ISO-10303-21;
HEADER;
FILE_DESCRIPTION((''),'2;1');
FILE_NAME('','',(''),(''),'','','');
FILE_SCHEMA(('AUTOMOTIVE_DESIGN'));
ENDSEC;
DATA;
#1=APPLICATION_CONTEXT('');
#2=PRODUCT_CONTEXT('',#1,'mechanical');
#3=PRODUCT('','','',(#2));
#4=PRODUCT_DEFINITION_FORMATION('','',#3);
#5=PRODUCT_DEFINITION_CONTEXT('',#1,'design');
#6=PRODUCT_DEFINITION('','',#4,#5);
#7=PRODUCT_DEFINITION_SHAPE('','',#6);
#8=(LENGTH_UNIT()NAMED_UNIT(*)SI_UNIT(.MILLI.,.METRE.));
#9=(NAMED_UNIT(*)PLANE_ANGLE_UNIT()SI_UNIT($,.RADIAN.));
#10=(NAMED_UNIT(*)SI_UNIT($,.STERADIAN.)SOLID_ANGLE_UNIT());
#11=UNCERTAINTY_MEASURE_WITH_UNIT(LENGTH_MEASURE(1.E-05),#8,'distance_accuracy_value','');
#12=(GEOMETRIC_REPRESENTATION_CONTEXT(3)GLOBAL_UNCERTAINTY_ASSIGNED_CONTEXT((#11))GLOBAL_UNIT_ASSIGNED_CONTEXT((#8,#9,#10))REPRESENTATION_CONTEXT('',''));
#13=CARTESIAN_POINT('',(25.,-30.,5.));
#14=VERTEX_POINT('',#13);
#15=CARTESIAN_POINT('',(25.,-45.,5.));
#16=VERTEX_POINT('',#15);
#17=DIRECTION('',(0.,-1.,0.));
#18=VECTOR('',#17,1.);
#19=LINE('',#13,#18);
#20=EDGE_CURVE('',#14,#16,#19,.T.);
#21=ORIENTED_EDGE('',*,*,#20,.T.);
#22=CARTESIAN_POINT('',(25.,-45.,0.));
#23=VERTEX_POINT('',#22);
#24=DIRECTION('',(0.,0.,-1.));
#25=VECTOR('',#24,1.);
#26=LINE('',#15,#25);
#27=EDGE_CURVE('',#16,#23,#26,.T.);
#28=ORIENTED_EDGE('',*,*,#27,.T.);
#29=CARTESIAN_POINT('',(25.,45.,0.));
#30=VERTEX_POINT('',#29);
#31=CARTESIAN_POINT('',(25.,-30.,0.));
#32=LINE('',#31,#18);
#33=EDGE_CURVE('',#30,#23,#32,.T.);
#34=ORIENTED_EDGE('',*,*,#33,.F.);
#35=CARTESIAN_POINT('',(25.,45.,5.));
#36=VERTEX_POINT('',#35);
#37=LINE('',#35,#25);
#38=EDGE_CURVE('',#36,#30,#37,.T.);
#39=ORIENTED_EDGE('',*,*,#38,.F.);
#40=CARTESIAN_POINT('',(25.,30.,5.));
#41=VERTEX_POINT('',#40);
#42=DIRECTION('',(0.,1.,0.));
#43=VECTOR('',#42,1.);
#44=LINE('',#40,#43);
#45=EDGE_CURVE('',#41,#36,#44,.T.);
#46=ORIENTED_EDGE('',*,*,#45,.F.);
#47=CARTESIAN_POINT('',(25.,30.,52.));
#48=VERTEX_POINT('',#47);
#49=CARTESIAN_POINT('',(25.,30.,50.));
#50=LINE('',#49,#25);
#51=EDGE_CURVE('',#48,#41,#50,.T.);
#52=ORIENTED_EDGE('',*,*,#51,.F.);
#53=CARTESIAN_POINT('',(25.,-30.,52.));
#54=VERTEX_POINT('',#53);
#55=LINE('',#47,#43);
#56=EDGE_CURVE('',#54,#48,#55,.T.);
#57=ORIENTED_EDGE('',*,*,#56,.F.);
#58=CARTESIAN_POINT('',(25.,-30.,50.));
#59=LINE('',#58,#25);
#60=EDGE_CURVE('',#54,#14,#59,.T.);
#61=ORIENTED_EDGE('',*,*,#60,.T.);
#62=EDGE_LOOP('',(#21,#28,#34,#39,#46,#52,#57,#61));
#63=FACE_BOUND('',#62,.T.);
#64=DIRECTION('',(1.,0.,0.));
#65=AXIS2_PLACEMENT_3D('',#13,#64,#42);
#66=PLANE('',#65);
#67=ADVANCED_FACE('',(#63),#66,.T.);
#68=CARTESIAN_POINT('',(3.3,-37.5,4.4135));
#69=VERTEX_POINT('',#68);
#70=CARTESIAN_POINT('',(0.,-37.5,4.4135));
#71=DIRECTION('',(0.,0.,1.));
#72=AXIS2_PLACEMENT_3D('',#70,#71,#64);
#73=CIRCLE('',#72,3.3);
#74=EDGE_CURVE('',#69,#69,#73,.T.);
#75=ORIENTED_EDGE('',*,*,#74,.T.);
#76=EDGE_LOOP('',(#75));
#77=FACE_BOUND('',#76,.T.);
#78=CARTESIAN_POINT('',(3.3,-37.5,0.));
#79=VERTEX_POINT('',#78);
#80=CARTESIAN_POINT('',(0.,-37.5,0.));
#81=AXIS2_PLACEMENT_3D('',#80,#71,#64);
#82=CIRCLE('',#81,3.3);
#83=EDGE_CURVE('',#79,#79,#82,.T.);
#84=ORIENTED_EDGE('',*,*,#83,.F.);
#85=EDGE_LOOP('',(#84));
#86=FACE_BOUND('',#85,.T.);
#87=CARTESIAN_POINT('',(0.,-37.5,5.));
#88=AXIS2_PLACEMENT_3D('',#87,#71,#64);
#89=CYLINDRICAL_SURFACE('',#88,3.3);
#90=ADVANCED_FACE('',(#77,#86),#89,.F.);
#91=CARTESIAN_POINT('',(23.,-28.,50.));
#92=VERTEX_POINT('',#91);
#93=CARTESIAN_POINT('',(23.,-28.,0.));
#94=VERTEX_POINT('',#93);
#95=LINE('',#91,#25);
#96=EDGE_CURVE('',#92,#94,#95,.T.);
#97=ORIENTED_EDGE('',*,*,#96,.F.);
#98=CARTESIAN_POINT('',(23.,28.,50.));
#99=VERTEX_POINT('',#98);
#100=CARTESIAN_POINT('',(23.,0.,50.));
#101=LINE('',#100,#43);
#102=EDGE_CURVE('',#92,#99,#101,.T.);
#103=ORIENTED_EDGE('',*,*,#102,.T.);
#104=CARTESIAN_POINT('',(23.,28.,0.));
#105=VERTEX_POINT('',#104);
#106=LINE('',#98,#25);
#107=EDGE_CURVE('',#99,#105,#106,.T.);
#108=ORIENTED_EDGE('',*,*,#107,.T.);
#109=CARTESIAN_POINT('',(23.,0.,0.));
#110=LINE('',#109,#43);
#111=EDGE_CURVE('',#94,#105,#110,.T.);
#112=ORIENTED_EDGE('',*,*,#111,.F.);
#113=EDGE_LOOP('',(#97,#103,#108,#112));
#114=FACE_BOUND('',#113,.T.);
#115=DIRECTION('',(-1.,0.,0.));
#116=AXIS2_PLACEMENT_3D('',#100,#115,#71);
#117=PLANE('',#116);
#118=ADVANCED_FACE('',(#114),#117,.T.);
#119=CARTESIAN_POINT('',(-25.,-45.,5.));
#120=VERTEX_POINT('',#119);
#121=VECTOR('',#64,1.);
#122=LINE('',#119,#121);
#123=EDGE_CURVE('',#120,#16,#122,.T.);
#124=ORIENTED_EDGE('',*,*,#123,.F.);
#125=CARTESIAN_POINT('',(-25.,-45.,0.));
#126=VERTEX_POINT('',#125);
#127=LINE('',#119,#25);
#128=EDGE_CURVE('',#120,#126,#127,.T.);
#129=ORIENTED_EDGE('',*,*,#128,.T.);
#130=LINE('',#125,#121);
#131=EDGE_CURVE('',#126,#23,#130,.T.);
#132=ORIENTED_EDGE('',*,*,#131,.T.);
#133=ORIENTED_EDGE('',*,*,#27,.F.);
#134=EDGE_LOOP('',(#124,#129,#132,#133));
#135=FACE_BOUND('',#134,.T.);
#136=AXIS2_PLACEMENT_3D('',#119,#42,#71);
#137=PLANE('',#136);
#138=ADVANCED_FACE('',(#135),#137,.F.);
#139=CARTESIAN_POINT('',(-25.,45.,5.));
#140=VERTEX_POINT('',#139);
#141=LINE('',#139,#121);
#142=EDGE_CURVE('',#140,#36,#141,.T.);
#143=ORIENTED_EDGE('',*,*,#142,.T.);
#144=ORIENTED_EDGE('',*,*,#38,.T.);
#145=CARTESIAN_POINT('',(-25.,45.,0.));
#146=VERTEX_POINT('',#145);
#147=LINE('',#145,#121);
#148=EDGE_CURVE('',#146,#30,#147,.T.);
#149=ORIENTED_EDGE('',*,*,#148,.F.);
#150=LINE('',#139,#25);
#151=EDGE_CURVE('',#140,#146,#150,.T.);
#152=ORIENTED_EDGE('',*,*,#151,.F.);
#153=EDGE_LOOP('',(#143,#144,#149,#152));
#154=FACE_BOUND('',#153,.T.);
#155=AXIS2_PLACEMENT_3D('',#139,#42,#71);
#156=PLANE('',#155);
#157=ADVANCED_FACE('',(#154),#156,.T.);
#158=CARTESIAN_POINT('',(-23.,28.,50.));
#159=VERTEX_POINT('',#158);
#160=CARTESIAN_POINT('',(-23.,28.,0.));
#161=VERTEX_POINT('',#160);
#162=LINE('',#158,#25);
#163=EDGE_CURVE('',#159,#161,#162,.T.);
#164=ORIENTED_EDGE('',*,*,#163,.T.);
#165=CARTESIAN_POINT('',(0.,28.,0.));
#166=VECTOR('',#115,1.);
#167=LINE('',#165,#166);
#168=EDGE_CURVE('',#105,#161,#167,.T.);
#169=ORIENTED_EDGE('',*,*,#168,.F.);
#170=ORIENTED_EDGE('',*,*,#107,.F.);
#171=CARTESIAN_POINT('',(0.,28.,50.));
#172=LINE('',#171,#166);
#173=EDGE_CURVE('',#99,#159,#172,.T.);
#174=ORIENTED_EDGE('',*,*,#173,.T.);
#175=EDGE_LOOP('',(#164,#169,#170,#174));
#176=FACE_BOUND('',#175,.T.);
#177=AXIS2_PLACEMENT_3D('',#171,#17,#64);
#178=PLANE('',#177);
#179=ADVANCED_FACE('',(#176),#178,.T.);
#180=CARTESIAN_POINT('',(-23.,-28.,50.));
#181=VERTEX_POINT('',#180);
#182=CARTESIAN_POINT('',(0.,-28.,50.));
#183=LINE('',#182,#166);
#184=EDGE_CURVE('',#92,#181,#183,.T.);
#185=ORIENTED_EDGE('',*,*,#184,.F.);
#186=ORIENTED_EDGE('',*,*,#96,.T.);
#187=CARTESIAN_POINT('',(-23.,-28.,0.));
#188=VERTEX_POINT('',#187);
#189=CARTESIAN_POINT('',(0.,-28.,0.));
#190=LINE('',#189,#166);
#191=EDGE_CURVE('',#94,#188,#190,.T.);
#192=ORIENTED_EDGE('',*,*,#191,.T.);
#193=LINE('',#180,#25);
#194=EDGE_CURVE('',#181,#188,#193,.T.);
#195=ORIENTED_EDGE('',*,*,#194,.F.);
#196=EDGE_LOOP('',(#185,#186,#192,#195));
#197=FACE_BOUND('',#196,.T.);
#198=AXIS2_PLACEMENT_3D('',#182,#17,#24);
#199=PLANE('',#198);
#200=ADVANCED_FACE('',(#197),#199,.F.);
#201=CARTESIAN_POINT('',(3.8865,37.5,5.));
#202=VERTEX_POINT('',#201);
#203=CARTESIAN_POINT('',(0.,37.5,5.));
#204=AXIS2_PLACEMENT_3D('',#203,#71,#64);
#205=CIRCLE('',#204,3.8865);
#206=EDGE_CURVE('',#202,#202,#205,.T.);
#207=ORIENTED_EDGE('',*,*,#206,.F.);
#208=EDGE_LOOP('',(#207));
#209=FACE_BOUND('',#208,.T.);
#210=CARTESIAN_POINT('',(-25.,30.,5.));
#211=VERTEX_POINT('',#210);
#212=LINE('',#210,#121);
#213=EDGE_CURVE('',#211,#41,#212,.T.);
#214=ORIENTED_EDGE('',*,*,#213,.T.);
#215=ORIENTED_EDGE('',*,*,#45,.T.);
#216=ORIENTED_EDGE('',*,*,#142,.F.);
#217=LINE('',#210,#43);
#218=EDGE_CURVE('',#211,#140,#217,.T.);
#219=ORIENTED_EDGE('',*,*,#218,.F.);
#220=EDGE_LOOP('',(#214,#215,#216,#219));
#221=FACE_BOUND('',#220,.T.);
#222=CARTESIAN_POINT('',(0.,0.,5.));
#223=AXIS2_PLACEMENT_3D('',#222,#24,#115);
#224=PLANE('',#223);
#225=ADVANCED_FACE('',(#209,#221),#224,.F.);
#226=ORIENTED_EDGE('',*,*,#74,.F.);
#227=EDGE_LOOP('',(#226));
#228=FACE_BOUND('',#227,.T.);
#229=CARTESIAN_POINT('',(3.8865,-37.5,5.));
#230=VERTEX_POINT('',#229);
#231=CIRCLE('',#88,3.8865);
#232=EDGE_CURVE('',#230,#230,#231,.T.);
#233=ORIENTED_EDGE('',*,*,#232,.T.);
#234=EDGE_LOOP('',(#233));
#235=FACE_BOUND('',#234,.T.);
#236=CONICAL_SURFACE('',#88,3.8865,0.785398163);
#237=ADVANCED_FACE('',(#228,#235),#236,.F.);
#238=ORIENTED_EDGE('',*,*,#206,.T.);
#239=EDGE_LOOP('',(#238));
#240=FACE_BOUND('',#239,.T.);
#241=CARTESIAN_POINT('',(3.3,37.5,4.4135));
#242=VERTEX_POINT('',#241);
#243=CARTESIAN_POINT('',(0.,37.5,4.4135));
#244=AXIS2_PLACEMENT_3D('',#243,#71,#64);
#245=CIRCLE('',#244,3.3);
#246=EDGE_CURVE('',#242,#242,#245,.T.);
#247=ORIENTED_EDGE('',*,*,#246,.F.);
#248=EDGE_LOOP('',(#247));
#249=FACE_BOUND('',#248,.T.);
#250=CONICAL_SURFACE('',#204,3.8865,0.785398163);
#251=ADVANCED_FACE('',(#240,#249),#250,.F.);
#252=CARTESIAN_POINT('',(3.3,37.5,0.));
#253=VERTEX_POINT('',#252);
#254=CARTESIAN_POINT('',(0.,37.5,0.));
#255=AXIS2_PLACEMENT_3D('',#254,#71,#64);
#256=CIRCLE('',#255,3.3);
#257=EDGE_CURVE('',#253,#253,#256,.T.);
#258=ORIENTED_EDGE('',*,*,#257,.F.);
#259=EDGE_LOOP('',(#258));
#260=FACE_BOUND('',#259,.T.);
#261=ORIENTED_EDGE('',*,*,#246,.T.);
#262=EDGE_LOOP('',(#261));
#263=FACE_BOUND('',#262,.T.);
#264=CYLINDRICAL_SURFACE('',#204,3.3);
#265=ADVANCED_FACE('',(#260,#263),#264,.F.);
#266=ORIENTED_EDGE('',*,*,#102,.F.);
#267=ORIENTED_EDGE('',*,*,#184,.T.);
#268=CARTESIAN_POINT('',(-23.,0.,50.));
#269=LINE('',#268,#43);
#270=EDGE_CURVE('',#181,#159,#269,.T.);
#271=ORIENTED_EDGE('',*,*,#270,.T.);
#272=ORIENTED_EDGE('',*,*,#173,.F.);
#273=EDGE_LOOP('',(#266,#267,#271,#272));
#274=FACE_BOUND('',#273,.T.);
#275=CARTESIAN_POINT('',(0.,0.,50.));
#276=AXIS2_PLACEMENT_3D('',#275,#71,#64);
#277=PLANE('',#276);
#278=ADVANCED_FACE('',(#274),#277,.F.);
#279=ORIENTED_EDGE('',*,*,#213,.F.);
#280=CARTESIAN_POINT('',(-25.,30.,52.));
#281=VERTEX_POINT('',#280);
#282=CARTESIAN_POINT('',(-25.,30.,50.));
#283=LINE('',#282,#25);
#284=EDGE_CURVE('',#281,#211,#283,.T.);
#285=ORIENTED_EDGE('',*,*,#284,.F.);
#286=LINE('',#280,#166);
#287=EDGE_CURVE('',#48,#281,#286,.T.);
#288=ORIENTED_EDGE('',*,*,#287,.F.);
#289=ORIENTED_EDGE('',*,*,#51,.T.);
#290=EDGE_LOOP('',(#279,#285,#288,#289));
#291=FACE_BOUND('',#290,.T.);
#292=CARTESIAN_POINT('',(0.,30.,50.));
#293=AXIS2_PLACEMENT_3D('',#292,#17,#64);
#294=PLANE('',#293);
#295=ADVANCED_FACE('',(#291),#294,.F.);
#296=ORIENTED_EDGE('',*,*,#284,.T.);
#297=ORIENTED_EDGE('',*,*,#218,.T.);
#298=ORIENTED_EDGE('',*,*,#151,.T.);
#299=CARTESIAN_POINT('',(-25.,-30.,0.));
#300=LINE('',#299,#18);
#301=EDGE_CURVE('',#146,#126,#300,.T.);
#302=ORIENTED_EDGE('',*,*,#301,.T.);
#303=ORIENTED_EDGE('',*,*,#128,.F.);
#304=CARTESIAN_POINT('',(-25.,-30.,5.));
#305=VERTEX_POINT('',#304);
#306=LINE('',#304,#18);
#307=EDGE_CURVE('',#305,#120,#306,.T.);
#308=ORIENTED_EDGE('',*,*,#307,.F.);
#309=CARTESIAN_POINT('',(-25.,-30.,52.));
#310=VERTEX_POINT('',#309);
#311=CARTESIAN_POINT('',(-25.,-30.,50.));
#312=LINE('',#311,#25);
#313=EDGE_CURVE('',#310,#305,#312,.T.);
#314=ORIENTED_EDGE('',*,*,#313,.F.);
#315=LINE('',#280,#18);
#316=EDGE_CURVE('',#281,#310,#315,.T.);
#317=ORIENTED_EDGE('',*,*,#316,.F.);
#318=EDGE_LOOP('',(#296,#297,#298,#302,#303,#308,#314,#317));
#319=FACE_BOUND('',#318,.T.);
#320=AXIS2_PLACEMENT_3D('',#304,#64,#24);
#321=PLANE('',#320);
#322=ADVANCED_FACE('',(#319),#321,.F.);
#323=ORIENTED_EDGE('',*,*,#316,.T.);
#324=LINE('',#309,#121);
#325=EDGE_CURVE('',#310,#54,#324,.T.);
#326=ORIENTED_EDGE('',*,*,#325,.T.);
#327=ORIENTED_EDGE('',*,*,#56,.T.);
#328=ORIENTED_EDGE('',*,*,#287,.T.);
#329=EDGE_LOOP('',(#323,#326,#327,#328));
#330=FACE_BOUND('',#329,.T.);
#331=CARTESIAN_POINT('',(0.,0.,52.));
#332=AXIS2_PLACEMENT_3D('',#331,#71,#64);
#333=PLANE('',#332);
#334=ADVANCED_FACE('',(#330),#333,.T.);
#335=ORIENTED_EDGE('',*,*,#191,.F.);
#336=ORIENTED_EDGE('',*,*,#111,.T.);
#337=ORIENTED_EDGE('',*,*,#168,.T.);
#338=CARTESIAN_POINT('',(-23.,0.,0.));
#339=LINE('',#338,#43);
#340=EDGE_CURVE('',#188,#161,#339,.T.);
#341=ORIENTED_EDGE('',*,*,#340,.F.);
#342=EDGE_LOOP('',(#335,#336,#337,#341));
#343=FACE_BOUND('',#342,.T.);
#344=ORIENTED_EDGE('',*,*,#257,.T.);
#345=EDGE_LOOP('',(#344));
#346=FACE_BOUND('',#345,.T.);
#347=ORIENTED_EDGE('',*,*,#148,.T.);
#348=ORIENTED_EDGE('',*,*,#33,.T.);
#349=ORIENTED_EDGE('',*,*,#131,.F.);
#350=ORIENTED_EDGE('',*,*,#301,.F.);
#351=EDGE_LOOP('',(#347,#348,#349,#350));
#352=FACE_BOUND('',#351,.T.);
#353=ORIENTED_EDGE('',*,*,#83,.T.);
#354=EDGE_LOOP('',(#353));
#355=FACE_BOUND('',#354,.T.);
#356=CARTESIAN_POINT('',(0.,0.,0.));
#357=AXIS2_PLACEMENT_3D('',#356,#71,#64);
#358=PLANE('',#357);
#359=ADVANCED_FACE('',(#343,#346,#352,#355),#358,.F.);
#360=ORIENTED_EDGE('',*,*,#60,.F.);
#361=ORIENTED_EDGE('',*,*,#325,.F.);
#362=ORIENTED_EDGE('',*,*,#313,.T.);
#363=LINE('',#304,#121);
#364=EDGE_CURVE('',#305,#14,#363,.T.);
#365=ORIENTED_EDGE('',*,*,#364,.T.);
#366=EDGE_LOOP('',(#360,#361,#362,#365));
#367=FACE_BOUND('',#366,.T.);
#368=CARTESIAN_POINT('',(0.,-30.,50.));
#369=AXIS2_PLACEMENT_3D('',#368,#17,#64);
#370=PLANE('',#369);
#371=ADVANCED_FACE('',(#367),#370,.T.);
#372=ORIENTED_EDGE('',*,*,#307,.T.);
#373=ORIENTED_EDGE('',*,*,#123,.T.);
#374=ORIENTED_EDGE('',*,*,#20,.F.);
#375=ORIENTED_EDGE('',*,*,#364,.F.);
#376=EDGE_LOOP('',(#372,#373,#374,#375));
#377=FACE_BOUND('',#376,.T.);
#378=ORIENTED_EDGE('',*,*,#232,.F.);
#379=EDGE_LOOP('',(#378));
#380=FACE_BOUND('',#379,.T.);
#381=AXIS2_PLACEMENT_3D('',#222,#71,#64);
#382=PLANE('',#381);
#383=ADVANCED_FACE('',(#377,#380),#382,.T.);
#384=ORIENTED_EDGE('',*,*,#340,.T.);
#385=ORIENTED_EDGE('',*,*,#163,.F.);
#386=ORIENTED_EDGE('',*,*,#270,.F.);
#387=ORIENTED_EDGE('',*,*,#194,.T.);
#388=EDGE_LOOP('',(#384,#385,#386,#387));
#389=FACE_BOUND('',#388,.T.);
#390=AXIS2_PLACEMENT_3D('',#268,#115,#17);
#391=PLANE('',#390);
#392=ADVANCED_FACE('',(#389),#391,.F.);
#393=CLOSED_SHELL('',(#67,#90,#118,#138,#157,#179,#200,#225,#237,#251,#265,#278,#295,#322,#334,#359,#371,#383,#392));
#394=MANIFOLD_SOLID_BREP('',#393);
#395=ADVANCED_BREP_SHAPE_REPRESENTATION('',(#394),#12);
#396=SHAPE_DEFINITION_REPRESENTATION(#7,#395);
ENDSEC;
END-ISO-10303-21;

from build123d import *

# Parameters (mm, degrees)
ESBO_O1_W                          = 15
ESBO_O1_H                          = 50
RESSALTO_EXTRUS_O1_DEPTH           = 5
RESSALTO_EXTRUS_O1_2_DEPTH         = 5
ESBO_O1_4_W                        = 60
ESBO_O1_4_H                        = 50
ESBO_O1_4_W_2                      = 56
ESBO_O1_4_H_2                      = 46
RESSALTO_EXTRUS_O2_DEPTH           = 50
ESBO_O3_W                          = 50
ESBO_O3_H                          = 60
RESSALTO_EXTRUS_O3_DEPTH           = 2
FURO_ROSCADO_DE_G1_164_D           = 6.6
FURO_ROSCADO_DE_G1_164_CSINK_D     = 7.773
FURO_ROSCADO_DE_G1_164_CSINK_ANGLE = 90


with BuildPart() as part:
    # Esboço1 → Ressalto-extrusão1 (new body)
    with BuildSketch(Plane(origin=(0, 0, 0), x_dir=(0, 1, 0), z_dir=(0, 0, 1))):
        with Locations((37.5, 0)):
            Rectangle(ESBO_O1_W, ESBO_O1_H)
    extrude(amount=RESSALTO_EXTRUS_O1_DEPTH)



with BuildPart() as body_2:
    # Esboço1 → Ressalto-extrus_o1 2 (new body)
    with BuildSketch(Plane(origin=(0, 0, 0), x_dir=(0, 1, 0), z_dir=(0, 0, 1))):
        with Locations((-37.5, 0)):
            Rectangle(ESBO_O1_W, ESBO_O1_H)
    extrude(amount=RESSALTO_EXTRUS_O1_2_DEPTH)


with BuildPart() as part_1:
    add(part.part)

    add(body_2.part)  # Ressalto-extrusão2 merges body 2
    # Esboço1<4> → Ressalto-extrusão2 (add)
    with BuildSketch(Plane(origin=(0, 0, 0), x_dir=(0, 1, 0), z_dir=(0, 0, 1))):
        Rectangle(ESBO_O1_4_W, ESBO_O1_4_H)
        Rectangle(ESBO_O1_4_W_2, ESBO_O1_4_H_2, mode=Mode.SUBTRACT)
    extrude(amount=RESSALTO_EXTRUS_O2_DEPTH)

    # Esboço3 → Ressalto-extrusão3 (add)
    with BuildSketch(Plane.XY.offset(50)):
        Rectangle(ESBO_O3_W, ESBO_O3_H)
    extrude(amount=RESSALTO_EXTRUS_O3_DEPTH)

    # Furo roscado de G1/164 (through all)
    with Locations(Plane(origin=(0, 0, 5), x_dir=(0, -1, 0), z_dir=(0, 0, 1))):
        with Locations((37.5, 0), (-37.5, 0)):
            CounterSinkHole(FURO_ROSCADO_DE_G1_164_D / 2, FURO_ROSCADO_DE_G1_164_CSINK_D / 2, counter_sink_angle=FURO_ROSCADO_DE_G1_164_CSINK_ANGLE)


solid = part_1.part
